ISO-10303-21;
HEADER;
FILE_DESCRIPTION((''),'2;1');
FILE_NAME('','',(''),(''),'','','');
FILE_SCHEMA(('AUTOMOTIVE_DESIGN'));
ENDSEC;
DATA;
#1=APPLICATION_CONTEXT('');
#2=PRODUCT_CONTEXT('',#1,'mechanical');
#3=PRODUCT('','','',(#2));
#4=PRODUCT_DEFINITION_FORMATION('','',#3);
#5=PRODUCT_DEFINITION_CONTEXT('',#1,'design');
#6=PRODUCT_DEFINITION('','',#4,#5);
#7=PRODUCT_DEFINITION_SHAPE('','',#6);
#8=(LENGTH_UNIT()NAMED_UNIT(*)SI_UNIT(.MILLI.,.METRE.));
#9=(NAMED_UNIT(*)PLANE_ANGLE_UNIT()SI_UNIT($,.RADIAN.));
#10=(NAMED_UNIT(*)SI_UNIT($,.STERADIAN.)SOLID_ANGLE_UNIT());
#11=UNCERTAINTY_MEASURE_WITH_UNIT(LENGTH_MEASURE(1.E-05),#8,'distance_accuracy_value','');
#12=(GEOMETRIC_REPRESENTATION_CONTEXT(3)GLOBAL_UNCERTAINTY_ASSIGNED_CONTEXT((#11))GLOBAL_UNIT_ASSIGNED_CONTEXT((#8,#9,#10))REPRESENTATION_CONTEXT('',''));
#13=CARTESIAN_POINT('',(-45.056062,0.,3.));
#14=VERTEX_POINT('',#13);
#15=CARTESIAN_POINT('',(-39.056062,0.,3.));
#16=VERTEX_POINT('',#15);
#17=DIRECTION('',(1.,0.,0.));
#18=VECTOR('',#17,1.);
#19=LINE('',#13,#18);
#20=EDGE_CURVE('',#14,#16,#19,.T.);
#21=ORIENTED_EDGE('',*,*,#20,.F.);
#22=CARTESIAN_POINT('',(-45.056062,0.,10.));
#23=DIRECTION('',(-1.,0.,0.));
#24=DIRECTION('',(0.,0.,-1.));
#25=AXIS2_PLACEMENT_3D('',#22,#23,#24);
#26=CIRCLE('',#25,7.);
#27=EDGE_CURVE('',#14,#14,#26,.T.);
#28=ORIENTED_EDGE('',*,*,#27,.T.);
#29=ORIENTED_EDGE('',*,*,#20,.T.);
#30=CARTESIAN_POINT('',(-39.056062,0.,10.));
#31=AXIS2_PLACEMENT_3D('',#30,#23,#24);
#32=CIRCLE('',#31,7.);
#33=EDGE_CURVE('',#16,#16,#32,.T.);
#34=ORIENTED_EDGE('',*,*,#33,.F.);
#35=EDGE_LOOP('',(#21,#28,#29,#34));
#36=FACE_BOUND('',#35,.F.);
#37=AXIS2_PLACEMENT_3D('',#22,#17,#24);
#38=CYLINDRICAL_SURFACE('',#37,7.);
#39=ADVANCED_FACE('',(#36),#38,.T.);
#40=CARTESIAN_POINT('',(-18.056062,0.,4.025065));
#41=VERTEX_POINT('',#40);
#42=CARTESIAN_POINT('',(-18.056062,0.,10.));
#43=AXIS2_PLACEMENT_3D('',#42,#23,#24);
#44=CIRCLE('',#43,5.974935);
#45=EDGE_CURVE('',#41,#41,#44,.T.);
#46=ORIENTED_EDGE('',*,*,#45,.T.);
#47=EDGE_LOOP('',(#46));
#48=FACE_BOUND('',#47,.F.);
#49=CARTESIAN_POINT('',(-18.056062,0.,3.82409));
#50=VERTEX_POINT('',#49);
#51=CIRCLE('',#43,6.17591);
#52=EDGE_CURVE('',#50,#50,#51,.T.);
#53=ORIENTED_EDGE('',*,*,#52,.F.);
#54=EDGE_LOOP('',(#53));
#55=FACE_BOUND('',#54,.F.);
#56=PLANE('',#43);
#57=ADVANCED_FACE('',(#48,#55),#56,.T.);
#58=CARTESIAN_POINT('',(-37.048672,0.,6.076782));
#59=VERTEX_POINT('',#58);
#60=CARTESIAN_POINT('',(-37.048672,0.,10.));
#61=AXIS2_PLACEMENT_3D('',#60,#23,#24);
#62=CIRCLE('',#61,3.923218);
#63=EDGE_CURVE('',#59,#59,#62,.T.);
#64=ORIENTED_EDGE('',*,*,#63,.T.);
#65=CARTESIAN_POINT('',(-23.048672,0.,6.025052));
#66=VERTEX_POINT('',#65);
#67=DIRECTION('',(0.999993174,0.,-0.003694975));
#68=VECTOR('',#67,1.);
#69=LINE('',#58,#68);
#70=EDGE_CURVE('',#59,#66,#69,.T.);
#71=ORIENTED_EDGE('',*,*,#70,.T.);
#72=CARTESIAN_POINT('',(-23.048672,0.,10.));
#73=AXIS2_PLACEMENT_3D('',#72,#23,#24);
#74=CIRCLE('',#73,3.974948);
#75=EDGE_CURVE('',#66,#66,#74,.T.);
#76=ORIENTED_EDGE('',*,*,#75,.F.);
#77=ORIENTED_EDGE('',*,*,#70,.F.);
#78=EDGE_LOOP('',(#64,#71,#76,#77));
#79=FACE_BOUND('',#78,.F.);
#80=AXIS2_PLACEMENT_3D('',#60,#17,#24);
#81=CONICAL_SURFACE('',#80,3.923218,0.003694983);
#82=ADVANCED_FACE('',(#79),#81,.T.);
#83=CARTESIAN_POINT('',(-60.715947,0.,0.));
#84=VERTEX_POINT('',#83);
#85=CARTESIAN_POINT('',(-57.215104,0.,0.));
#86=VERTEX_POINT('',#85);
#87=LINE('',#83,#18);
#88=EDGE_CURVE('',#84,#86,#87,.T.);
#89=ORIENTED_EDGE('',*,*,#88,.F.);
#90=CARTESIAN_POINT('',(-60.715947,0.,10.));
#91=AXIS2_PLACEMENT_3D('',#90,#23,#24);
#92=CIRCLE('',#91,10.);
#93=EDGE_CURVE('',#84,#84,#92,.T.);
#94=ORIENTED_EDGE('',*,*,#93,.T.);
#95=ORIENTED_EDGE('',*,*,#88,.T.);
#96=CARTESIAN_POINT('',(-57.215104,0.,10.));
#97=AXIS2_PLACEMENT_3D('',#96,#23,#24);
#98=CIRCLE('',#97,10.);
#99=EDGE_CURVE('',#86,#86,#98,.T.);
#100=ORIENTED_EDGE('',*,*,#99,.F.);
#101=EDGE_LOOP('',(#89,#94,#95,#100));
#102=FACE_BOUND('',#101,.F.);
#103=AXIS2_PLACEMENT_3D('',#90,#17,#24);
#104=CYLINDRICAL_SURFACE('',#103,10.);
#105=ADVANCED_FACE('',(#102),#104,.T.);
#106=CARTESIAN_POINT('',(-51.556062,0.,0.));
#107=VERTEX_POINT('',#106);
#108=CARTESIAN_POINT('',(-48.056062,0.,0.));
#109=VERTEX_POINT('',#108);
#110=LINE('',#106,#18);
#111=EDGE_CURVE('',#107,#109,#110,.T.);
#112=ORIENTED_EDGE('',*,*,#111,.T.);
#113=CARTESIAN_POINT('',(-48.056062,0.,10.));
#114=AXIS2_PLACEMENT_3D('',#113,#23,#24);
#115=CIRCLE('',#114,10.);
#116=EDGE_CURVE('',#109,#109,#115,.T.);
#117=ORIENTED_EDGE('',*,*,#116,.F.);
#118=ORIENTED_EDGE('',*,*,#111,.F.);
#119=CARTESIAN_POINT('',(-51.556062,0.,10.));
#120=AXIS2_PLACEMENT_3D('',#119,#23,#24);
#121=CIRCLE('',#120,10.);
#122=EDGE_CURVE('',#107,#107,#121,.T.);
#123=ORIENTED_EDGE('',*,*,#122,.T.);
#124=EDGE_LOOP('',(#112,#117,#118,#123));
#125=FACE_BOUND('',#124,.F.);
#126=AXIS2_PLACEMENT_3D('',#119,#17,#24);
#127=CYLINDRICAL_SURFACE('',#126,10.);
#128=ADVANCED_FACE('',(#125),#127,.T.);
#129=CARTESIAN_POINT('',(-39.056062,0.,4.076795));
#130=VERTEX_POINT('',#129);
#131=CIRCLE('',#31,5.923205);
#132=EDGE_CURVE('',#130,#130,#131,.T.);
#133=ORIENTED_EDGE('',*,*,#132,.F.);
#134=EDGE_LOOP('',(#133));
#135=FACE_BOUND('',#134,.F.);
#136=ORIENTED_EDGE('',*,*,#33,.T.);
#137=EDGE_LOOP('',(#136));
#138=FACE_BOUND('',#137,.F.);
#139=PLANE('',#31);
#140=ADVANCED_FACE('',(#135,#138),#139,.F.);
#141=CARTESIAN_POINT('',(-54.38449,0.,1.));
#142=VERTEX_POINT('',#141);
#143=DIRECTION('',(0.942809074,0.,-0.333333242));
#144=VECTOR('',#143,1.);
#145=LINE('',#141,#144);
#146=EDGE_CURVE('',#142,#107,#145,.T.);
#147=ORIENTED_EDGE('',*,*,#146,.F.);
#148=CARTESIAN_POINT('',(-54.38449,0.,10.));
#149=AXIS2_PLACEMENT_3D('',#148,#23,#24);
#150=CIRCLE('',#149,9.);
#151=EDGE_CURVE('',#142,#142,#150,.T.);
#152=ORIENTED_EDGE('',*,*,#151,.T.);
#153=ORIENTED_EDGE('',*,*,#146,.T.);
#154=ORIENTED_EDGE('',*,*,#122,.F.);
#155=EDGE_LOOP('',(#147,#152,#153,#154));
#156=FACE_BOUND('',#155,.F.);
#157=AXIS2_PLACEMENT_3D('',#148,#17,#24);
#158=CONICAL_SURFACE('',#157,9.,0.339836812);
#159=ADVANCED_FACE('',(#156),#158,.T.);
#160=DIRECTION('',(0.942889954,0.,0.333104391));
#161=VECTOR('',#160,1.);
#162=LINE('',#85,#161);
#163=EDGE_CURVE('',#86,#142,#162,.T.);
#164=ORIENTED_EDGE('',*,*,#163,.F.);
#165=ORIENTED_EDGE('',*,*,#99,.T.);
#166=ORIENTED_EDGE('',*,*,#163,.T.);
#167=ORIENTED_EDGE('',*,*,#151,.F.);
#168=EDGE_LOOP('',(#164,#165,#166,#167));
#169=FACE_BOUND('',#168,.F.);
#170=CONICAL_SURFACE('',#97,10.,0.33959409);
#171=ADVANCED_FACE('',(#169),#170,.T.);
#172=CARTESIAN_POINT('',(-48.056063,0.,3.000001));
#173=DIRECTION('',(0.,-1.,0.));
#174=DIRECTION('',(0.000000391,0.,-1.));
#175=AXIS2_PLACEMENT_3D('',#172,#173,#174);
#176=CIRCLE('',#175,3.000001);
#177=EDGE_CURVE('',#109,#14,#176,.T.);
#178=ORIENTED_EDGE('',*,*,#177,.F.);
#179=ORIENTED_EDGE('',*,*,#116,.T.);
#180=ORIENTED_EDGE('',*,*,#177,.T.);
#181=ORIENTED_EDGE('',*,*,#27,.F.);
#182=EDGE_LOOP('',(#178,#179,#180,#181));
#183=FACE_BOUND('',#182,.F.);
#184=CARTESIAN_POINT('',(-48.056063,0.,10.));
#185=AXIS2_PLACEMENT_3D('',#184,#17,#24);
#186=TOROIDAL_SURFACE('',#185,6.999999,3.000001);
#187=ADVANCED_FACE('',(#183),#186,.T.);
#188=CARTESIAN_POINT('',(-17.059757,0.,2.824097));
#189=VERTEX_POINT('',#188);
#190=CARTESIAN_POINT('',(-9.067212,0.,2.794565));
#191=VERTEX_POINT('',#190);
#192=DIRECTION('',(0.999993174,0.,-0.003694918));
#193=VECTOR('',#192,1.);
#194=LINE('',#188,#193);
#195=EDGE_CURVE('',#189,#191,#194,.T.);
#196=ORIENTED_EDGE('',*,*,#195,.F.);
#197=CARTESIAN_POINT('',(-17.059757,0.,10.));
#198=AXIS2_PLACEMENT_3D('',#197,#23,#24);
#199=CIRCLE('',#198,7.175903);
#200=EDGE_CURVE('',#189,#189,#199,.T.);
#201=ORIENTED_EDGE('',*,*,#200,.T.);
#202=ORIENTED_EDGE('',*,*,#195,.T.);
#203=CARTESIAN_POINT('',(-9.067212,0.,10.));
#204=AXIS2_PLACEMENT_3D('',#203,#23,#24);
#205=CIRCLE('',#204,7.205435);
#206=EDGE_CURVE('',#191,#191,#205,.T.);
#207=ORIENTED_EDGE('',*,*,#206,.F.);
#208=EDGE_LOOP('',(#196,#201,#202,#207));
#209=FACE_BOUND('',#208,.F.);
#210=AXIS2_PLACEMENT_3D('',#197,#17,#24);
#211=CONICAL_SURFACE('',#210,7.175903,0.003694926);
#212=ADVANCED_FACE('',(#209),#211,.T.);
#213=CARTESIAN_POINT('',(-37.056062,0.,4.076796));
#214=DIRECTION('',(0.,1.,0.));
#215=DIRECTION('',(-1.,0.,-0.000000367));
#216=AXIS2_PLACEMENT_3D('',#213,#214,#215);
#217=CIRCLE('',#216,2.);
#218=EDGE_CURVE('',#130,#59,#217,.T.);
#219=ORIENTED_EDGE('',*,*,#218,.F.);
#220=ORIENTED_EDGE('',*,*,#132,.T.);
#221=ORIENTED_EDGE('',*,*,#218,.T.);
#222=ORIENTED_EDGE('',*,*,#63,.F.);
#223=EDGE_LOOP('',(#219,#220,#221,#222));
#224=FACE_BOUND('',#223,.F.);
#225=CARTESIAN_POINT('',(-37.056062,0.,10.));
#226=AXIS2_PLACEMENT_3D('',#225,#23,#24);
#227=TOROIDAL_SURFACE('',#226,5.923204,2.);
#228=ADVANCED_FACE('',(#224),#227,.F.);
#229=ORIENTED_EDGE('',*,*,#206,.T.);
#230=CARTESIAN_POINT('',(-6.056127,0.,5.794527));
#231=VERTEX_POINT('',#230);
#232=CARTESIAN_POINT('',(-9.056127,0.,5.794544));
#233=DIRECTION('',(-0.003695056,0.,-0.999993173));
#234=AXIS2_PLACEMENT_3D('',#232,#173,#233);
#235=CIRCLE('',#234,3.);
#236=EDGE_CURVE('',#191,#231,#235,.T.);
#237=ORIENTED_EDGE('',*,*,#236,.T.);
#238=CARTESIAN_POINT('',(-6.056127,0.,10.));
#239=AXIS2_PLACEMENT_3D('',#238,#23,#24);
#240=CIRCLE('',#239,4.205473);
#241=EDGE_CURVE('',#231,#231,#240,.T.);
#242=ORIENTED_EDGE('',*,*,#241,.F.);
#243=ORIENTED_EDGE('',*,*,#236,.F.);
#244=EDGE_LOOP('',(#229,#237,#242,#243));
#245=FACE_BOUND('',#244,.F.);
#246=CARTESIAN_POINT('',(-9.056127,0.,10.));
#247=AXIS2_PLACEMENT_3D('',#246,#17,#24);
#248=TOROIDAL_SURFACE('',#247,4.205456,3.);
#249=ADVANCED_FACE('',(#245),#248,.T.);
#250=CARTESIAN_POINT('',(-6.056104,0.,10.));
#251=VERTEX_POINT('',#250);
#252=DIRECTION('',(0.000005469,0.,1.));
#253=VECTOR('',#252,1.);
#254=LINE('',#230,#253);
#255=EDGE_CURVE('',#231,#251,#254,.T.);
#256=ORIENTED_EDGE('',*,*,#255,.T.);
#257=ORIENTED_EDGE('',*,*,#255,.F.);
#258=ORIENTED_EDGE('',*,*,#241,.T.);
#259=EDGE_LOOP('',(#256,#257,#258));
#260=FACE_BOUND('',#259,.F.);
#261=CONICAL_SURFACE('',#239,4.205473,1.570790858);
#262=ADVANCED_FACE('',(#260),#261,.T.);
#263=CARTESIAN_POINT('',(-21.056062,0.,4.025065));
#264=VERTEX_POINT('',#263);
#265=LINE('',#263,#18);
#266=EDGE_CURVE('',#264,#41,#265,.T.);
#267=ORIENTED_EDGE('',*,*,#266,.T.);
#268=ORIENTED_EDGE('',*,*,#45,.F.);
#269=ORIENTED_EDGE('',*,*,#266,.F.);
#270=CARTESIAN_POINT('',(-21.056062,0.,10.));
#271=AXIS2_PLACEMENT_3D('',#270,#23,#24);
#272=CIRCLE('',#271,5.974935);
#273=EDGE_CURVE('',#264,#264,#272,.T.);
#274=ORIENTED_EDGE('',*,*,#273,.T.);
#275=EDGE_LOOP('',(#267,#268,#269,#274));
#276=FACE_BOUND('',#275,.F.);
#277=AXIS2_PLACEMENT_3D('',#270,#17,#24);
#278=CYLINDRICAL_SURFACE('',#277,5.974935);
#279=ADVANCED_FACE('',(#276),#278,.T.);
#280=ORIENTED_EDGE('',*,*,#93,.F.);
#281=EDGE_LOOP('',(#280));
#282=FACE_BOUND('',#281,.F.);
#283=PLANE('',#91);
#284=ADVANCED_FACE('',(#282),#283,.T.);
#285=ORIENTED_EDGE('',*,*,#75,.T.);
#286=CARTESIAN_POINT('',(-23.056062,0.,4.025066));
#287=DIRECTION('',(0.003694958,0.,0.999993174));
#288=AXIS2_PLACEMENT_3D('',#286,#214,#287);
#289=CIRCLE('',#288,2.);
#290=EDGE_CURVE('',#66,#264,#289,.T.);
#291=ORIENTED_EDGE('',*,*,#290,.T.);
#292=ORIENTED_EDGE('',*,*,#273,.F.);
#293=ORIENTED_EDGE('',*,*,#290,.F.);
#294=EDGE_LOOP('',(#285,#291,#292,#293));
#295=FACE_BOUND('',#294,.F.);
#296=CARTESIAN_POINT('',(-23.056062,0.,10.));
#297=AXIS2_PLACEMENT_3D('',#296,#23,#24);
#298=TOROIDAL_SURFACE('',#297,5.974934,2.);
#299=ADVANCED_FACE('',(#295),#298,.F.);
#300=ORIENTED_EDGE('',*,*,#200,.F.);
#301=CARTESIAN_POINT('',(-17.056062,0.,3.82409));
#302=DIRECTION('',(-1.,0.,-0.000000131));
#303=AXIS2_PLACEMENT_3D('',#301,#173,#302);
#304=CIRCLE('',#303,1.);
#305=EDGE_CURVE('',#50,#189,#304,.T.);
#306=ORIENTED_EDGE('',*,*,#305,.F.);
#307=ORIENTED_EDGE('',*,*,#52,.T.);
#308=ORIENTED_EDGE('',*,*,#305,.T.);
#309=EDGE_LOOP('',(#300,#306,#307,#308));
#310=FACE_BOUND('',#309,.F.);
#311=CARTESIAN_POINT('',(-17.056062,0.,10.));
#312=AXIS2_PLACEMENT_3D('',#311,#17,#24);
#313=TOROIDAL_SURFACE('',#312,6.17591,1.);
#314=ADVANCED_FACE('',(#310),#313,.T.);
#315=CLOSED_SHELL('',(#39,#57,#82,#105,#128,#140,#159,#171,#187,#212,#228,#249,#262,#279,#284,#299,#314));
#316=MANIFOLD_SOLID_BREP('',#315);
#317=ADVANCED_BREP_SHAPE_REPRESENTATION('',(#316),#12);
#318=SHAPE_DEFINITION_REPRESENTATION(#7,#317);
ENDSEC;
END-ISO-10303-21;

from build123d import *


with BuildPart() as f1:
    # F0 (on Front) → F1 (revolve)
    with BuildSketch(Plane.XZ):
        with BuildLine():
            Line((-6.056104, 10), (-60.715947, 10))
            Line((-60.715947, 10), (-60.715947, 0))
            Line((-60.715947, 0), (-57.215104, 0))
            Line((-57.215104, 0), (-54.38449, 1))
            Line((-54.38449, 1), (-51.556062, 0))
            Line((-51.556062, 0), (-48.056062, 0))
            ThreePointArc((-48.056062, 0), (-45.934742, 0.87868), (-45.056062, 3))
            Line((-45.056062, 3), (-39.056062, 3))
            Line((-39.056062, 3), (-39.056062, 4.076795))
            ThreePointArc((-39.056062, 4.076795), (-38.467661, 5.493619), (-37.048672, 6.076782))
            Line((-37.048672, 6.076782), (-23.048672, 6.025052))
            ThreePointArc((-23.048672, 6.025052), (-21.639238, 5.436664), (-21.056062, 4.025065))
            Line((-21.056062, 4.025065), (-18.056062, 4.025065))
            Line((-18.056062, 4.025065), (-18.056062, 3.82409))
            ThreePointArc((-18.056062, 3.82409), (-17.764474, 3.118291), (-17.059757, 2.824097))
            Line((-17.059757, 2.824097), (-9.067212, 2.794565))
            ThreePointArc((-9.067212, 2.794565), (-6.938736, 3.669302), (-6.056127, 5.794527))
            Line((-6.056127, 5.794527), (-6.056104, 10))
        make_face()
    revolve(axis=Axis((-62.274424, 0, 10), (-1, 0, 0)))


solid = f1.part
